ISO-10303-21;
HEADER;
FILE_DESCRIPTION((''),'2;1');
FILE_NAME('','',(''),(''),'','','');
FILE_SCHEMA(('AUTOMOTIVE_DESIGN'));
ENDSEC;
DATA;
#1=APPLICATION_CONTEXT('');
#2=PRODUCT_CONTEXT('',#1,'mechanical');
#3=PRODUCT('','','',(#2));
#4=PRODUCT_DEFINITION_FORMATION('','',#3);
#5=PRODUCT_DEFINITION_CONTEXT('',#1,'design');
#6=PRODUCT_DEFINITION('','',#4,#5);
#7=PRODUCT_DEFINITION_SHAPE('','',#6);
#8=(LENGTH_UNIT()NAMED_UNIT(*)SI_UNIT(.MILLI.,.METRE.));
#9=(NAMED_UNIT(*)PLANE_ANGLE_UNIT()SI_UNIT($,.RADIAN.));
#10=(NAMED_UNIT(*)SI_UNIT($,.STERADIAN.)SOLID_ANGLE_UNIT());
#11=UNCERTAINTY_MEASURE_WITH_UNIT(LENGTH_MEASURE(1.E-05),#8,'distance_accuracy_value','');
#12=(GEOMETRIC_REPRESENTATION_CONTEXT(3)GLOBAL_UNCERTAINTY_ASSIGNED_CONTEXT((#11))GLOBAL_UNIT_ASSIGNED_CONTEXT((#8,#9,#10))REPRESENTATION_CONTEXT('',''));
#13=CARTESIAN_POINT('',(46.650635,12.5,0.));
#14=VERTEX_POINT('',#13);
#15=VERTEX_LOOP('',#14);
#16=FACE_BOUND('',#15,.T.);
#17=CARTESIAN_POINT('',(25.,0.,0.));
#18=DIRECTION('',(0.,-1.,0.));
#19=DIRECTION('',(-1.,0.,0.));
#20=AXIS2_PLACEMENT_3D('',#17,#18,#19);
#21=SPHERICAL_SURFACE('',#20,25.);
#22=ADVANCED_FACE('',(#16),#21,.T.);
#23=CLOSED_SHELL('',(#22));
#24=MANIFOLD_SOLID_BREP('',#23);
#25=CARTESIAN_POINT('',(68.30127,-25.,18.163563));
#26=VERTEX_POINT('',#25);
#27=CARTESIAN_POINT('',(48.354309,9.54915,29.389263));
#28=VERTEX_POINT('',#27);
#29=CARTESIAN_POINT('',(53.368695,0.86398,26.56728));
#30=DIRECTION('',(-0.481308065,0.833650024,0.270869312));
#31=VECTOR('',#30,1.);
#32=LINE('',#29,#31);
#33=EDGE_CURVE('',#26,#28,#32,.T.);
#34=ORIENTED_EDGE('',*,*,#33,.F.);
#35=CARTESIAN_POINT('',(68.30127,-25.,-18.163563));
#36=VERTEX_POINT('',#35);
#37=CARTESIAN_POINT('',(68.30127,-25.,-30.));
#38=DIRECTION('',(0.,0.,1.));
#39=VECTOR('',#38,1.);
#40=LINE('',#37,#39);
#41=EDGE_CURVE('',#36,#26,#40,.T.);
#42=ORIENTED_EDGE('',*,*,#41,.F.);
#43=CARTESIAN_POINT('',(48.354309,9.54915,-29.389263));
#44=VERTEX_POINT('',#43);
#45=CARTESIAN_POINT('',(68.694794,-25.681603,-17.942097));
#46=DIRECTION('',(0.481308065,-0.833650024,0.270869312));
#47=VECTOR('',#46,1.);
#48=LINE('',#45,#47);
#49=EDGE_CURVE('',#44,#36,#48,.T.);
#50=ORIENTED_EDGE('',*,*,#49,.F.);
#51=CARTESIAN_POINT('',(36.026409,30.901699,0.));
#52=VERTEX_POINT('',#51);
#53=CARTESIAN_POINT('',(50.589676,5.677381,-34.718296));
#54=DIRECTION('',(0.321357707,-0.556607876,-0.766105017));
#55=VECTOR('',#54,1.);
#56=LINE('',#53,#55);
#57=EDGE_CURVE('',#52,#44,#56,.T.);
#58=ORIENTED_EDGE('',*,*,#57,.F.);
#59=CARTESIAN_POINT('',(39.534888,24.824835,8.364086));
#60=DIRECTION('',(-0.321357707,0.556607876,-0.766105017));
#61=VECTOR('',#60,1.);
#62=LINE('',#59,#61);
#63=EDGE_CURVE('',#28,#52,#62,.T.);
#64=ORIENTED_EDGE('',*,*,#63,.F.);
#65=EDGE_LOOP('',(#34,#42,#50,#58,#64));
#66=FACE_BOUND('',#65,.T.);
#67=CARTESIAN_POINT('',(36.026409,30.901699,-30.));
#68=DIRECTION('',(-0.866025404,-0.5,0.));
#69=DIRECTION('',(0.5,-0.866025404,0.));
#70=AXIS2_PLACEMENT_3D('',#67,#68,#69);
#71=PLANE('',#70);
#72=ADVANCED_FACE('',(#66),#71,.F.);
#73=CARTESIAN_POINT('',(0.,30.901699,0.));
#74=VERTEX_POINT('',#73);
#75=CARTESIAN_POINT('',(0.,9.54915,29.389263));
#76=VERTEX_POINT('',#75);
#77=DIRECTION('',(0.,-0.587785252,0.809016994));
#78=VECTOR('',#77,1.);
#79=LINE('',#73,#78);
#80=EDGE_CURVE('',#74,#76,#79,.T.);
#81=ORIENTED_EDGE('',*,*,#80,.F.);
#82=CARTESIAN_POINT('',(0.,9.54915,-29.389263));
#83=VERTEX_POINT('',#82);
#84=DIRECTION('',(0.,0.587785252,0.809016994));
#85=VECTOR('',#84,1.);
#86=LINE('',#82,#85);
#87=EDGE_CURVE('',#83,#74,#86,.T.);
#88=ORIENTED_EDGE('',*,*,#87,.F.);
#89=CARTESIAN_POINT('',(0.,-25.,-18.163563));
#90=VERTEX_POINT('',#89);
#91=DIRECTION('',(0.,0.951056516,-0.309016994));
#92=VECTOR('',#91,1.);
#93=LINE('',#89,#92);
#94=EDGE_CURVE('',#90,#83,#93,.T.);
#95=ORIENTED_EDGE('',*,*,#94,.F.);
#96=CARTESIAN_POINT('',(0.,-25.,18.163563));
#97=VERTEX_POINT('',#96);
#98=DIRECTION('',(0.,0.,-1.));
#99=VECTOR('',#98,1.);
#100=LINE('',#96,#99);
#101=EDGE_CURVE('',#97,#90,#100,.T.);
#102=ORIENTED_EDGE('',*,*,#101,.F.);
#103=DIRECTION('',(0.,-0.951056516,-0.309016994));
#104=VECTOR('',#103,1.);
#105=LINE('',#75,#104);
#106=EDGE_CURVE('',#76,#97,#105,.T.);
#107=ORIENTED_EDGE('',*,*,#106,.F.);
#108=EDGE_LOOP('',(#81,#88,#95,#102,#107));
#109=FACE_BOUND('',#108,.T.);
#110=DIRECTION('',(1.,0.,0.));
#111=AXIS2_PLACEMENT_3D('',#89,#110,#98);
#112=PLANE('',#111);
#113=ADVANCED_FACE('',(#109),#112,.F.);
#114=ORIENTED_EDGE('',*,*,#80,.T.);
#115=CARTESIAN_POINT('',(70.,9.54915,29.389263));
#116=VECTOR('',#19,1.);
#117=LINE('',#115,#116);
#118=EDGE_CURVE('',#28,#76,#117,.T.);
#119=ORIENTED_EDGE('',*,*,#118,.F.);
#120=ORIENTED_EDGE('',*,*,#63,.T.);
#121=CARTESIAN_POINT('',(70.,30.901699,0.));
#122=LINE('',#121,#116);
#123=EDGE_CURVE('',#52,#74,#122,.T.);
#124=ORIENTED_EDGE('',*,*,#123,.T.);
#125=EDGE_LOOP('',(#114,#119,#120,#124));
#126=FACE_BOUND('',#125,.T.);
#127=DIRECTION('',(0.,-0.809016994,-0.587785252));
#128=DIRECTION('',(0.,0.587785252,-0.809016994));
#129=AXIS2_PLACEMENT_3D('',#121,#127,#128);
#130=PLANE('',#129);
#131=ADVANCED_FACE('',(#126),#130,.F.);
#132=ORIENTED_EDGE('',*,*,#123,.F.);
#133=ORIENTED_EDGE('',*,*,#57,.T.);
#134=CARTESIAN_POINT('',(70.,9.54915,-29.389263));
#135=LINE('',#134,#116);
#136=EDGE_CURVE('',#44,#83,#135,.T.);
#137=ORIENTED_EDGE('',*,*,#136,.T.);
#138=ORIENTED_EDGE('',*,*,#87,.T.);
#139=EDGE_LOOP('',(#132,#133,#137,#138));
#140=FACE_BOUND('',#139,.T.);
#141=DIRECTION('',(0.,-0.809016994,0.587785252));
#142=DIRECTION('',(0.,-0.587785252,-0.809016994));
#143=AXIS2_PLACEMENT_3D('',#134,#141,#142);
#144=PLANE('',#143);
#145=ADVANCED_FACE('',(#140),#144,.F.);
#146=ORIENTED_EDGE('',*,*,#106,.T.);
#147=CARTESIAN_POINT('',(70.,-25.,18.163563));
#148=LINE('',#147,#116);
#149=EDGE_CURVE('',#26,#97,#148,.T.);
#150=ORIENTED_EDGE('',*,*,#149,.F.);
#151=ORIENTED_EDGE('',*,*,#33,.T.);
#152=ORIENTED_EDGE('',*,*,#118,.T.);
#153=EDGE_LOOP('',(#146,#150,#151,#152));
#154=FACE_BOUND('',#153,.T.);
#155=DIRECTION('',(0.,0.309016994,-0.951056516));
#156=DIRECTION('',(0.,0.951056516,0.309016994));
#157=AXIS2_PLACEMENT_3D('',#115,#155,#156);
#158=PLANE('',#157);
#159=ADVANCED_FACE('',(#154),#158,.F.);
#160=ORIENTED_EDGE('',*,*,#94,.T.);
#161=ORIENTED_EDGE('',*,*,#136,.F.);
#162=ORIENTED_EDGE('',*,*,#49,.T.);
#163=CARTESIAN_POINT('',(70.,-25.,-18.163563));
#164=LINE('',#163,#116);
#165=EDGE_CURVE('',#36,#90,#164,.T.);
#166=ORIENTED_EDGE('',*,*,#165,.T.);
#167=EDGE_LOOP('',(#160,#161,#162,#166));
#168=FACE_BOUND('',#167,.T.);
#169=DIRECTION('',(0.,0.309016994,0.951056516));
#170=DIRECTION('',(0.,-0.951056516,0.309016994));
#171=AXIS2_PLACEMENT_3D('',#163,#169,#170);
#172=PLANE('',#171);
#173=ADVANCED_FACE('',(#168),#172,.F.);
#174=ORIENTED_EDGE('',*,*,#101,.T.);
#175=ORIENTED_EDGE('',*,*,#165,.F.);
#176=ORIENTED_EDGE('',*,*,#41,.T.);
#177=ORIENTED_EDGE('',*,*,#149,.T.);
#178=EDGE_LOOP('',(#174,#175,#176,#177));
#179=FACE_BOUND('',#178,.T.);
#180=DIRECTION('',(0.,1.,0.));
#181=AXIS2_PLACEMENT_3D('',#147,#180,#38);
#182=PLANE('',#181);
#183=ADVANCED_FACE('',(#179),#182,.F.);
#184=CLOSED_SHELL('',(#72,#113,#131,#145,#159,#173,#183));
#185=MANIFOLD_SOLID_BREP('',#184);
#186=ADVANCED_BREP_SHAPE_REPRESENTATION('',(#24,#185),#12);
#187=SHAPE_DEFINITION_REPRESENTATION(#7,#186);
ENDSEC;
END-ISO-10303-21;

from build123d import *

# Parameters (mm, degrees)
EXTRUDE1_DEPTH     = 70
CUT_EXTRUDE1_DEPTH = 30


with BuildPart() as part:
    # Sketch1 → Extrude1 (new body)
    with BuildSketch(Plane(origin=(0, 0, 0), x_dir=(0, 0, -1), z_dir=(1, 0, 0))):
        Polygon((18.1635632, -25), (29.389262615, 9.549150281), (0, 30.901699437), (-29.389262615, 9.549150281), (-18.1635632, -25), align=None)
    extrude(amount=EXTRUDE1_DEPTH)

    # Sketch3 → Cut-Extrude1 (cut, symmetric)
    with BuildSketch(Plane.XY):
        Polygon((70, 30.901699437), (36.026408971, 30.901699437), (68.301270189, -25), (70, -25), align=None)
    extrude(amount=CUT_EXTRUDE1_DEPTH, both=True, mode=Mode.SUBTRACT)


with BuildPart() as body_2:
    # Sketch2 → Revolve1 (revolve)
    with BuildSketch(Plane.XY):
        with BuildLine():
            Line((25, -25), (25, 25))
            ThreePointArc((25, 25), (50, 0), (25, -25))
        make_face()
    revolve(axis=Axis((25, -25, 0), (0, 1, 0)))


solid = Compound([part.part, body_2.part])
